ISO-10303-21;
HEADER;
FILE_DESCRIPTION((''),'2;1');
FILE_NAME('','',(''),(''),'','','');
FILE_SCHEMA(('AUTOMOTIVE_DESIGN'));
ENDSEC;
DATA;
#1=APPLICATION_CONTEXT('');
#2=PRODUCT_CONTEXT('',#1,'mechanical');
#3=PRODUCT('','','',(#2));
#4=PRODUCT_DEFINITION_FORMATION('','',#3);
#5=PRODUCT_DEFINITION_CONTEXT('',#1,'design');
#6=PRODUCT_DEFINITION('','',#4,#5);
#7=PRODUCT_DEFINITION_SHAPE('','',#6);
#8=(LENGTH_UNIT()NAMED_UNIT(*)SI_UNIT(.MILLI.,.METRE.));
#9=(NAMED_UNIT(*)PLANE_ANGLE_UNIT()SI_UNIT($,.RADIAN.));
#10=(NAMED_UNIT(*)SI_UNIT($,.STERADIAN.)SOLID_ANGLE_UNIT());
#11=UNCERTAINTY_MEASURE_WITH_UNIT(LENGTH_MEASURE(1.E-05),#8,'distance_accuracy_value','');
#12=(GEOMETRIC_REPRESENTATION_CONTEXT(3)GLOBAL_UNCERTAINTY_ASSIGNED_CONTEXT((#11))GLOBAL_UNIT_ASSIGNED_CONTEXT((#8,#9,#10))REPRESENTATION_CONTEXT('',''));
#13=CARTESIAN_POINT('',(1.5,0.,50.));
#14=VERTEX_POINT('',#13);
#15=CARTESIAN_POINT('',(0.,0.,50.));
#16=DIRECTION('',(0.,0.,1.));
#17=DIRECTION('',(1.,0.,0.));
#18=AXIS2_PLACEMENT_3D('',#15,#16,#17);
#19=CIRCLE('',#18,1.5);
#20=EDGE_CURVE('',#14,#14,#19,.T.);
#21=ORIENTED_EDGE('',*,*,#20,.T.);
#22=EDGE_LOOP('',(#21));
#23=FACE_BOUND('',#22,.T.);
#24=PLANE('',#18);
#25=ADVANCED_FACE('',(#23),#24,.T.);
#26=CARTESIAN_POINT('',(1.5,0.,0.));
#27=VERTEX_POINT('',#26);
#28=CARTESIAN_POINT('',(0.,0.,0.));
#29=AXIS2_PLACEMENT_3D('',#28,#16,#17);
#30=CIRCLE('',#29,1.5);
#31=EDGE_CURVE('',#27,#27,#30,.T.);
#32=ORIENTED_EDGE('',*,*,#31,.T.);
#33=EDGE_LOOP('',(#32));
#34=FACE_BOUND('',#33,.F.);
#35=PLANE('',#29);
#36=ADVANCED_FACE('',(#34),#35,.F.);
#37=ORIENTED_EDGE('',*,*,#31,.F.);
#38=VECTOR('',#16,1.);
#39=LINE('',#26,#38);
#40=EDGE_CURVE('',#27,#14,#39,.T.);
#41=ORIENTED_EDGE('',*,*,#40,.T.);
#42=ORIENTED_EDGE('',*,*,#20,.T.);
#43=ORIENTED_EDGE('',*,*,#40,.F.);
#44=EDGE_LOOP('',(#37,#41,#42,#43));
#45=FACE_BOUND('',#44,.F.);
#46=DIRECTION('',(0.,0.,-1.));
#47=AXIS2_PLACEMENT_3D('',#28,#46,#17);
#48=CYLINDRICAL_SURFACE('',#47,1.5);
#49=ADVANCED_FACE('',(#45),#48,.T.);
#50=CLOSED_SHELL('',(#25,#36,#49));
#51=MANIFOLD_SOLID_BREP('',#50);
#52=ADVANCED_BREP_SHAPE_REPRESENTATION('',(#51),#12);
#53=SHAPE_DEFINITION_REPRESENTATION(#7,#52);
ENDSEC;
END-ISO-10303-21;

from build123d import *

# Parameters (mm, degrees)
SKETCH_R  = 1.5
PAD_DEPTH = 50


with BuildPart() as part:
    # Sketch → Pad (new body)
    with BuildSketch(Plane.XY):
        Circle(SKETCH_R)
    extrude(amount=PAD_DEPTH)


solid = part.part
